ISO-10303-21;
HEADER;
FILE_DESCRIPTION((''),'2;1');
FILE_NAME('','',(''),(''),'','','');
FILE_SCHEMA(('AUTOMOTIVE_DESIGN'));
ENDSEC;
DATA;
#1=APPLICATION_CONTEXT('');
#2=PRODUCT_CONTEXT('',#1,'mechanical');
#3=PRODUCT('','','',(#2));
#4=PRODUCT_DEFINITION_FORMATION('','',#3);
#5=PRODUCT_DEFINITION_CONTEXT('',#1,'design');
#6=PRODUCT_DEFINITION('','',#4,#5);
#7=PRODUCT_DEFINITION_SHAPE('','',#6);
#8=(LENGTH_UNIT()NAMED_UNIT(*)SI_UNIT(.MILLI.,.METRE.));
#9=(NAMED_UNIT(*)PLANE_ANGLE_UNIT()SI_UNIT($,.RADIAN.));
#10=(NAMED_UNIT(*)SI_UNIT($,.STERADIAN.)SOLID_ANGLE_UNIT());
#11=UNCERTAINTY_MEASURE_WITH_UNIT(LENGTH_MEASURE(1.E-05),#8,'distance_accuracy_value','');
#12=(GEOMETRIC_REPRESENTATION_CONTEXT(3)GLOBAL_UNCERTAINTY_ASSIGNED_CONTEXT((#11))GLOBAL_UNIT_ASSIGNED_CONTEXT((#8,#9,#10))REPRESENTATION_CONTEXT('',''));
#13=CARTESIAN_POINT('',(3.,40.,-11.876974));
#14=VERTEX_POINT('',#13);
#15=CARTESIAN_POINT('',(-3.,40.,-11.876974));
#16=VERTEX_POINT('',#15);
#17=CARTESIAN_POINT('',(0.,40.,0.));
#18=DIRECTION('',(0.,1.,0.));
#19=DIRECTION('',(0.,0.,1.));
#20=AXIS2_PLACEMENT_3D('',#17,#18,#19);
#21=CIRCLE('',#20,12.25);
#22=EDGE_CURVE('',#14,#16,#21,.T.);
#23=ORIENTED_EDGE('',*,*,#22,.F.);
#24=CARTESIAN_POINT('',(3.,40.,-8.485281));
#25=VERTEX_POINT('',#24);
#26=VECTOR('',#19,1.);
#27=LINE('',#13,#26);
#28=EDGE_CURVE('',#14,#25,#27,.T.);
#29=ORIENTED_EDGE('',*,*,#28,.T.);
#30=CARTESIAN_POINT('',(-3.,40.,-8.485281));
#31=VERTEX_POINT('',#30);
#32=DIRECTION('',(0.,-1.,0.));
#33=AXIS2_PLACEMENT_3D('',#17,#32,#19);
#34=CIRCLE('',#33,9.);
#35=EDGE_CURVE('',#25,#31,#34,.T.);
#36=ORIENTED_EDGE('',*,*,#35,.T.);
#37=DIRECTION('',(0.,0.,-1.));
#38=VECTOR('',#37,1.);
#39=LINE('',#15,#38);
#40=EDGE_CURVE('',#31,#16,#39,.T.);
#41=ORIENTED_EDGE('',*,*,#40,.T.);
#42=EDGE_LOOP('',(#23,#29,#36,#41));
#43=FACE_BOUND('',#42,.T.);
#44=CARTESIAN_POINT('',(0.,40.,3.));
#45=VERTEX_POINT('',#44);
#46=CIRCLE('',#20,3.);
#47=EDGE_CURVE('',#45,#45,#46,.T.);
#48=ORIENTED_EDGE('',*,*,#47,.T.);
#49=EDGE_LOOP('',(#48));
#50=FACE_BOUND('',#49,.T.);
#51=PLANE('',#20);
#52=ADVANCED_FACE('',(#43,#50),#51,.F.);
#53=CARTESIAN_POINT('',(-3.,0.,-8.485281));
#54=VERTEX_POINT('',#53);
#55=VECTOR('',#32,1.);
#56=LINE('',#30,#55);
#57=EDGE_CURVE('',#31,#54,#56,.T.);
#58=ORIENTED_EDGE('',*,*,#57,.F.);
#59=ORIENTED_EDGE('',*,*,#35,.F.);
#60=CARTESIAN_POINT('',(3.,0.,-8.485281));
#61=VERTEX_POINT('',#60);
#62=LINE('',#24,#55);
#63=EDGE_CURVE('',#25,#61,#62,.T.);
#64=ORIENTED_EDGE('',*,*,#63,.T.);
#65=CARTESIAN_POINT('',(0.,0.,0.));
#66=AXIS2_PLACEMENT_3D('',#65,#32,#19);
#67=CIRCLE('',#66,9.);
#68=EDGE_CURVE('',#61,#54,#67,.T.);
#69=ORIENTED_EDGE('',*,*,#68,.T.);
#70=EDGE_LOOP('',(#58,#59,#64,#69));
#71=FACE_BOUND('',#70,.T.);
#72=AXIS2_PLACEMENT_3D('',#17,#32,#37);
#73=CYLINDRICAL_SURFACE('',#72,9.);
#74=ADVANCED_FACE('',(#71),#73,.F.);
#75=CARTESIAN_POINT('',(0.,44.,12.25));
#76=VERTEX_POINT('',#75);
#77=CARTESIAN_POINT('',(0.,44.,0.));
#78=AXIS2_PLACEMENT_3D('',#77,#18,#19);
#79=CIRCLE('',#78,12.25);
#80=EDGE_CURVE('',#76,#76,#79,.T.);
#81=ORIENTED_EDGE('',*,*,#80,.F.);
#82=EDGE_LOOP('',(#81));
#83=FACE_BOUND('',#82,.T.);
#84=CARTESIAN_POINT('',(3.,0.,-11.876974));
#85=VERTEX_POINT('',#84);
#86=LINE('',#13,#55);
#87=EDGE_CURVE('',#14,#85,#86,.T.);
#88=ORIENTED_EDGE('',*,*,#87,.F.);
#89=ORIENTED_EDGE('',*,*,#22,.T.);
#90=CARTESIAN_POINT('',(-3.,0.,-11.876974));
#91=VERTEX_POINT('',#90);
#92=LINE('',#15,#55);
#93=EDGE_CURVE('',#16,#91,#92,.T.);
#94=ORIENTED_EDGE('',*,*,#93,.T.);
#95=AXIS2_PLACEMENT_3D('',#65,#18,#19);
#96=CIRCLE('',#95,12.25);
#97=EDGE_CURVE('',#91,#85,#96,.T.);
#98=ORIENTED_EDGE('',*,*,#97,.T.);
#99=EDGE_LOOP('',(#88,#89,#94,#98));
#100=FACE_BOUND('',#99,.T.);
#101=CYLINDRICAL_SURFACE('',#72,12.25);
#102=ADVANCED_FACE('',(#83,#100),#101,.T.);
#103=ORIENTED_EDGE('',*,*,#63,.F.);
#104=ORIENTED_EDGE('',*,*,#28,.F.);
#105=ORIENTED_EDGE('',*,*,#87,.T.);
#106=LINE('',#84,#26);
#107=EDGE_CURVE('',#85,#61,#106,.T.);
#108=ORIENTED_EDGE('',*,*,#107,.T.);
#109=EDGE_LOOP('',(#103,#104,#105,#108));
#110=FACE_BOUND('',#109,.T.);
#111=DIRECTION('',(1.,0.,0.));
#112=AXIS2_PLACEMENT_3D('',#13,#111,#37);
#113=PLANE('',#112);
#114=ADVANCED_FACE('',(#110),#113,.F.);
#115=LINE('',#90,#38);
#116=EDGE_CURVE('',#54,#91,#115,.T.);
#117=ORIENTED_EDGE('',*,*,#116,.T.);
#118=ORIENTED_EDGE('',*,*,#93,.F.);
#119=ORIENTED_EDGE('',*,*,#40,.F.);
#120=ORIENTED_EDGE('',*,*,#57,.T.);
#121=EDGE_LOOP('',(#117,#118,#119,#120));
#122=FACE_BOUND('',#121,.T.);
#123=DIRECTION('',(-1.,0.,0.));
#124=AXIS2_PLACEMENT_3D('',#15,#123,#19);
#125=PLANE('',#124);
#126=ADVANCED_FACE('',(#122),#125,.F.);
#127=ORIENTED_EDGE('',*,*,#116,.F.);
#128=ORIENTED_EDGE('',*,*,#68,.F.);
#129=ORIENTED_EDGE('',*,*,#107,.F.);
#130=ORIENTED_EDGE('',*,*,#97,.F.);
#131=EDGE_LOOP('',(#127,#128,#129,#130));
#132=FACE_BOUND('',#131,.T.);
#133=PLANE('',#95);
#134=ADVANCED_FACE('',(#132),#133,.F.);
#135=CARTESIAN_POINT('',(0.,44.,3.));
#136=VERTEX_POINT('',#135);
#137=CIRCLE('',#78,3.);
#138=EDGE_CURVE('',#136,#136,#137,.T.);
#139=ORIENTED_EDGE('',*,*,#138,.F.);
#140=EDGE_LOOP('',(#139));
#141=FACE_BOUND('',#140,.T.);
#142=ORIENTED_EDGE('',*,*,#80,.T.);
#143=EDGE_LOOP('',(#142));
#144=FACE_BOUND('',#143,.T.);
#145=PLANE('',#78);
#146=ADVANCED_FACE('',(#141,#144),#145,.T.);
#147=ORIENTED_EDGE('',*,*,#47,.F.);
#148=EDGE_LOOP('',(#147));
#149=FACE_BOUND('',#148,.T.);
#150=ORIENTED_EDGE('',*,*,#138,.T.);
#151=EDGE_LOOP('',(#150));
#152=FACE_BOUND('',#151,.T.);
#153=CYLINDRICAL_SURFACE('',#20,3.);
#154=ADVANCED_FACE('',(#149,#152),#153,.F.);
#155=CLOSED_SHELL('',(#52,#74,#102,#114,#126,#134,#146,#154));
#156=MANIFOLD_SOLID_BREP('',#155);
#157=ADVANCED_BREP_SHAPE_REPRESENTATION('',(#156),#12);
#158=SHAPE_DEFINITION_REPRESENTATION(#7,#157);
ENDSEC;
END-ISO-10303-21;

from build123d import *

# Parameters (mm, degrees)
SALIENTE_EXTRUIR1_DEPTH = 40
CROQUIS2_R              = 12.25
SALIENTE_EXTRUIR2_DEPTH = 4
CROQUIS3_R              = 3
CORTAR_EXTRUIR1_DEPTH   = 4


with BuildPart() as part:
    # Croquis1 → Saliente-Extruir1 (new body)
    with BuildSketch(Plane(origin=(0, 0, 0), x_dir=(1, 0, 0), z_dir=(0, 1, 0))):
        with BuildLine():
            Line((-3, 11.87697352), (-3, 8.485281374))
            ThreePointArc((-3, 8.485281374), (0, -9), (3, 8.485281374))
            Line((3, 8.485281374), (3, 11.87697352))
            ThreePointArc((3, 11.87697352), (0, -12.25), (-3, 11.87697352))
        make_face()
    extrude(amount=SALIENTE_EXTRUIR1_DEPTH)

    # Croquis2 → Saliente-Extruir2 (add)
    with BuildSketch(Plane(origin=(0, 40, 0), x_dir=(1, 0, 0), z_dir=(0, 1, 0))):
        with Locations(Location((0, 0, 0), (0, 0, 75.824196484))):
            Circle(CROQUIS2_R)
    extrude(amount=SALIENTE_EXTRUIR2_DEPTH)

    # Croquis3 → Cortar-Extruir1 (cut)
    with BuildSketch(Plane(origin=(0, 44, 0), x_dir=(1, 0, 0), z_dir=(0, 1, 0))):
        with Locations(Location((0, 0, 0), (0, 0, 270))):
            Circle(CROQUIS3_R)
    extrude(amount=-CORTAR_EXTRUIR1_DEPTH, mode=Mode.SUBTRACT)


solid = part.part
